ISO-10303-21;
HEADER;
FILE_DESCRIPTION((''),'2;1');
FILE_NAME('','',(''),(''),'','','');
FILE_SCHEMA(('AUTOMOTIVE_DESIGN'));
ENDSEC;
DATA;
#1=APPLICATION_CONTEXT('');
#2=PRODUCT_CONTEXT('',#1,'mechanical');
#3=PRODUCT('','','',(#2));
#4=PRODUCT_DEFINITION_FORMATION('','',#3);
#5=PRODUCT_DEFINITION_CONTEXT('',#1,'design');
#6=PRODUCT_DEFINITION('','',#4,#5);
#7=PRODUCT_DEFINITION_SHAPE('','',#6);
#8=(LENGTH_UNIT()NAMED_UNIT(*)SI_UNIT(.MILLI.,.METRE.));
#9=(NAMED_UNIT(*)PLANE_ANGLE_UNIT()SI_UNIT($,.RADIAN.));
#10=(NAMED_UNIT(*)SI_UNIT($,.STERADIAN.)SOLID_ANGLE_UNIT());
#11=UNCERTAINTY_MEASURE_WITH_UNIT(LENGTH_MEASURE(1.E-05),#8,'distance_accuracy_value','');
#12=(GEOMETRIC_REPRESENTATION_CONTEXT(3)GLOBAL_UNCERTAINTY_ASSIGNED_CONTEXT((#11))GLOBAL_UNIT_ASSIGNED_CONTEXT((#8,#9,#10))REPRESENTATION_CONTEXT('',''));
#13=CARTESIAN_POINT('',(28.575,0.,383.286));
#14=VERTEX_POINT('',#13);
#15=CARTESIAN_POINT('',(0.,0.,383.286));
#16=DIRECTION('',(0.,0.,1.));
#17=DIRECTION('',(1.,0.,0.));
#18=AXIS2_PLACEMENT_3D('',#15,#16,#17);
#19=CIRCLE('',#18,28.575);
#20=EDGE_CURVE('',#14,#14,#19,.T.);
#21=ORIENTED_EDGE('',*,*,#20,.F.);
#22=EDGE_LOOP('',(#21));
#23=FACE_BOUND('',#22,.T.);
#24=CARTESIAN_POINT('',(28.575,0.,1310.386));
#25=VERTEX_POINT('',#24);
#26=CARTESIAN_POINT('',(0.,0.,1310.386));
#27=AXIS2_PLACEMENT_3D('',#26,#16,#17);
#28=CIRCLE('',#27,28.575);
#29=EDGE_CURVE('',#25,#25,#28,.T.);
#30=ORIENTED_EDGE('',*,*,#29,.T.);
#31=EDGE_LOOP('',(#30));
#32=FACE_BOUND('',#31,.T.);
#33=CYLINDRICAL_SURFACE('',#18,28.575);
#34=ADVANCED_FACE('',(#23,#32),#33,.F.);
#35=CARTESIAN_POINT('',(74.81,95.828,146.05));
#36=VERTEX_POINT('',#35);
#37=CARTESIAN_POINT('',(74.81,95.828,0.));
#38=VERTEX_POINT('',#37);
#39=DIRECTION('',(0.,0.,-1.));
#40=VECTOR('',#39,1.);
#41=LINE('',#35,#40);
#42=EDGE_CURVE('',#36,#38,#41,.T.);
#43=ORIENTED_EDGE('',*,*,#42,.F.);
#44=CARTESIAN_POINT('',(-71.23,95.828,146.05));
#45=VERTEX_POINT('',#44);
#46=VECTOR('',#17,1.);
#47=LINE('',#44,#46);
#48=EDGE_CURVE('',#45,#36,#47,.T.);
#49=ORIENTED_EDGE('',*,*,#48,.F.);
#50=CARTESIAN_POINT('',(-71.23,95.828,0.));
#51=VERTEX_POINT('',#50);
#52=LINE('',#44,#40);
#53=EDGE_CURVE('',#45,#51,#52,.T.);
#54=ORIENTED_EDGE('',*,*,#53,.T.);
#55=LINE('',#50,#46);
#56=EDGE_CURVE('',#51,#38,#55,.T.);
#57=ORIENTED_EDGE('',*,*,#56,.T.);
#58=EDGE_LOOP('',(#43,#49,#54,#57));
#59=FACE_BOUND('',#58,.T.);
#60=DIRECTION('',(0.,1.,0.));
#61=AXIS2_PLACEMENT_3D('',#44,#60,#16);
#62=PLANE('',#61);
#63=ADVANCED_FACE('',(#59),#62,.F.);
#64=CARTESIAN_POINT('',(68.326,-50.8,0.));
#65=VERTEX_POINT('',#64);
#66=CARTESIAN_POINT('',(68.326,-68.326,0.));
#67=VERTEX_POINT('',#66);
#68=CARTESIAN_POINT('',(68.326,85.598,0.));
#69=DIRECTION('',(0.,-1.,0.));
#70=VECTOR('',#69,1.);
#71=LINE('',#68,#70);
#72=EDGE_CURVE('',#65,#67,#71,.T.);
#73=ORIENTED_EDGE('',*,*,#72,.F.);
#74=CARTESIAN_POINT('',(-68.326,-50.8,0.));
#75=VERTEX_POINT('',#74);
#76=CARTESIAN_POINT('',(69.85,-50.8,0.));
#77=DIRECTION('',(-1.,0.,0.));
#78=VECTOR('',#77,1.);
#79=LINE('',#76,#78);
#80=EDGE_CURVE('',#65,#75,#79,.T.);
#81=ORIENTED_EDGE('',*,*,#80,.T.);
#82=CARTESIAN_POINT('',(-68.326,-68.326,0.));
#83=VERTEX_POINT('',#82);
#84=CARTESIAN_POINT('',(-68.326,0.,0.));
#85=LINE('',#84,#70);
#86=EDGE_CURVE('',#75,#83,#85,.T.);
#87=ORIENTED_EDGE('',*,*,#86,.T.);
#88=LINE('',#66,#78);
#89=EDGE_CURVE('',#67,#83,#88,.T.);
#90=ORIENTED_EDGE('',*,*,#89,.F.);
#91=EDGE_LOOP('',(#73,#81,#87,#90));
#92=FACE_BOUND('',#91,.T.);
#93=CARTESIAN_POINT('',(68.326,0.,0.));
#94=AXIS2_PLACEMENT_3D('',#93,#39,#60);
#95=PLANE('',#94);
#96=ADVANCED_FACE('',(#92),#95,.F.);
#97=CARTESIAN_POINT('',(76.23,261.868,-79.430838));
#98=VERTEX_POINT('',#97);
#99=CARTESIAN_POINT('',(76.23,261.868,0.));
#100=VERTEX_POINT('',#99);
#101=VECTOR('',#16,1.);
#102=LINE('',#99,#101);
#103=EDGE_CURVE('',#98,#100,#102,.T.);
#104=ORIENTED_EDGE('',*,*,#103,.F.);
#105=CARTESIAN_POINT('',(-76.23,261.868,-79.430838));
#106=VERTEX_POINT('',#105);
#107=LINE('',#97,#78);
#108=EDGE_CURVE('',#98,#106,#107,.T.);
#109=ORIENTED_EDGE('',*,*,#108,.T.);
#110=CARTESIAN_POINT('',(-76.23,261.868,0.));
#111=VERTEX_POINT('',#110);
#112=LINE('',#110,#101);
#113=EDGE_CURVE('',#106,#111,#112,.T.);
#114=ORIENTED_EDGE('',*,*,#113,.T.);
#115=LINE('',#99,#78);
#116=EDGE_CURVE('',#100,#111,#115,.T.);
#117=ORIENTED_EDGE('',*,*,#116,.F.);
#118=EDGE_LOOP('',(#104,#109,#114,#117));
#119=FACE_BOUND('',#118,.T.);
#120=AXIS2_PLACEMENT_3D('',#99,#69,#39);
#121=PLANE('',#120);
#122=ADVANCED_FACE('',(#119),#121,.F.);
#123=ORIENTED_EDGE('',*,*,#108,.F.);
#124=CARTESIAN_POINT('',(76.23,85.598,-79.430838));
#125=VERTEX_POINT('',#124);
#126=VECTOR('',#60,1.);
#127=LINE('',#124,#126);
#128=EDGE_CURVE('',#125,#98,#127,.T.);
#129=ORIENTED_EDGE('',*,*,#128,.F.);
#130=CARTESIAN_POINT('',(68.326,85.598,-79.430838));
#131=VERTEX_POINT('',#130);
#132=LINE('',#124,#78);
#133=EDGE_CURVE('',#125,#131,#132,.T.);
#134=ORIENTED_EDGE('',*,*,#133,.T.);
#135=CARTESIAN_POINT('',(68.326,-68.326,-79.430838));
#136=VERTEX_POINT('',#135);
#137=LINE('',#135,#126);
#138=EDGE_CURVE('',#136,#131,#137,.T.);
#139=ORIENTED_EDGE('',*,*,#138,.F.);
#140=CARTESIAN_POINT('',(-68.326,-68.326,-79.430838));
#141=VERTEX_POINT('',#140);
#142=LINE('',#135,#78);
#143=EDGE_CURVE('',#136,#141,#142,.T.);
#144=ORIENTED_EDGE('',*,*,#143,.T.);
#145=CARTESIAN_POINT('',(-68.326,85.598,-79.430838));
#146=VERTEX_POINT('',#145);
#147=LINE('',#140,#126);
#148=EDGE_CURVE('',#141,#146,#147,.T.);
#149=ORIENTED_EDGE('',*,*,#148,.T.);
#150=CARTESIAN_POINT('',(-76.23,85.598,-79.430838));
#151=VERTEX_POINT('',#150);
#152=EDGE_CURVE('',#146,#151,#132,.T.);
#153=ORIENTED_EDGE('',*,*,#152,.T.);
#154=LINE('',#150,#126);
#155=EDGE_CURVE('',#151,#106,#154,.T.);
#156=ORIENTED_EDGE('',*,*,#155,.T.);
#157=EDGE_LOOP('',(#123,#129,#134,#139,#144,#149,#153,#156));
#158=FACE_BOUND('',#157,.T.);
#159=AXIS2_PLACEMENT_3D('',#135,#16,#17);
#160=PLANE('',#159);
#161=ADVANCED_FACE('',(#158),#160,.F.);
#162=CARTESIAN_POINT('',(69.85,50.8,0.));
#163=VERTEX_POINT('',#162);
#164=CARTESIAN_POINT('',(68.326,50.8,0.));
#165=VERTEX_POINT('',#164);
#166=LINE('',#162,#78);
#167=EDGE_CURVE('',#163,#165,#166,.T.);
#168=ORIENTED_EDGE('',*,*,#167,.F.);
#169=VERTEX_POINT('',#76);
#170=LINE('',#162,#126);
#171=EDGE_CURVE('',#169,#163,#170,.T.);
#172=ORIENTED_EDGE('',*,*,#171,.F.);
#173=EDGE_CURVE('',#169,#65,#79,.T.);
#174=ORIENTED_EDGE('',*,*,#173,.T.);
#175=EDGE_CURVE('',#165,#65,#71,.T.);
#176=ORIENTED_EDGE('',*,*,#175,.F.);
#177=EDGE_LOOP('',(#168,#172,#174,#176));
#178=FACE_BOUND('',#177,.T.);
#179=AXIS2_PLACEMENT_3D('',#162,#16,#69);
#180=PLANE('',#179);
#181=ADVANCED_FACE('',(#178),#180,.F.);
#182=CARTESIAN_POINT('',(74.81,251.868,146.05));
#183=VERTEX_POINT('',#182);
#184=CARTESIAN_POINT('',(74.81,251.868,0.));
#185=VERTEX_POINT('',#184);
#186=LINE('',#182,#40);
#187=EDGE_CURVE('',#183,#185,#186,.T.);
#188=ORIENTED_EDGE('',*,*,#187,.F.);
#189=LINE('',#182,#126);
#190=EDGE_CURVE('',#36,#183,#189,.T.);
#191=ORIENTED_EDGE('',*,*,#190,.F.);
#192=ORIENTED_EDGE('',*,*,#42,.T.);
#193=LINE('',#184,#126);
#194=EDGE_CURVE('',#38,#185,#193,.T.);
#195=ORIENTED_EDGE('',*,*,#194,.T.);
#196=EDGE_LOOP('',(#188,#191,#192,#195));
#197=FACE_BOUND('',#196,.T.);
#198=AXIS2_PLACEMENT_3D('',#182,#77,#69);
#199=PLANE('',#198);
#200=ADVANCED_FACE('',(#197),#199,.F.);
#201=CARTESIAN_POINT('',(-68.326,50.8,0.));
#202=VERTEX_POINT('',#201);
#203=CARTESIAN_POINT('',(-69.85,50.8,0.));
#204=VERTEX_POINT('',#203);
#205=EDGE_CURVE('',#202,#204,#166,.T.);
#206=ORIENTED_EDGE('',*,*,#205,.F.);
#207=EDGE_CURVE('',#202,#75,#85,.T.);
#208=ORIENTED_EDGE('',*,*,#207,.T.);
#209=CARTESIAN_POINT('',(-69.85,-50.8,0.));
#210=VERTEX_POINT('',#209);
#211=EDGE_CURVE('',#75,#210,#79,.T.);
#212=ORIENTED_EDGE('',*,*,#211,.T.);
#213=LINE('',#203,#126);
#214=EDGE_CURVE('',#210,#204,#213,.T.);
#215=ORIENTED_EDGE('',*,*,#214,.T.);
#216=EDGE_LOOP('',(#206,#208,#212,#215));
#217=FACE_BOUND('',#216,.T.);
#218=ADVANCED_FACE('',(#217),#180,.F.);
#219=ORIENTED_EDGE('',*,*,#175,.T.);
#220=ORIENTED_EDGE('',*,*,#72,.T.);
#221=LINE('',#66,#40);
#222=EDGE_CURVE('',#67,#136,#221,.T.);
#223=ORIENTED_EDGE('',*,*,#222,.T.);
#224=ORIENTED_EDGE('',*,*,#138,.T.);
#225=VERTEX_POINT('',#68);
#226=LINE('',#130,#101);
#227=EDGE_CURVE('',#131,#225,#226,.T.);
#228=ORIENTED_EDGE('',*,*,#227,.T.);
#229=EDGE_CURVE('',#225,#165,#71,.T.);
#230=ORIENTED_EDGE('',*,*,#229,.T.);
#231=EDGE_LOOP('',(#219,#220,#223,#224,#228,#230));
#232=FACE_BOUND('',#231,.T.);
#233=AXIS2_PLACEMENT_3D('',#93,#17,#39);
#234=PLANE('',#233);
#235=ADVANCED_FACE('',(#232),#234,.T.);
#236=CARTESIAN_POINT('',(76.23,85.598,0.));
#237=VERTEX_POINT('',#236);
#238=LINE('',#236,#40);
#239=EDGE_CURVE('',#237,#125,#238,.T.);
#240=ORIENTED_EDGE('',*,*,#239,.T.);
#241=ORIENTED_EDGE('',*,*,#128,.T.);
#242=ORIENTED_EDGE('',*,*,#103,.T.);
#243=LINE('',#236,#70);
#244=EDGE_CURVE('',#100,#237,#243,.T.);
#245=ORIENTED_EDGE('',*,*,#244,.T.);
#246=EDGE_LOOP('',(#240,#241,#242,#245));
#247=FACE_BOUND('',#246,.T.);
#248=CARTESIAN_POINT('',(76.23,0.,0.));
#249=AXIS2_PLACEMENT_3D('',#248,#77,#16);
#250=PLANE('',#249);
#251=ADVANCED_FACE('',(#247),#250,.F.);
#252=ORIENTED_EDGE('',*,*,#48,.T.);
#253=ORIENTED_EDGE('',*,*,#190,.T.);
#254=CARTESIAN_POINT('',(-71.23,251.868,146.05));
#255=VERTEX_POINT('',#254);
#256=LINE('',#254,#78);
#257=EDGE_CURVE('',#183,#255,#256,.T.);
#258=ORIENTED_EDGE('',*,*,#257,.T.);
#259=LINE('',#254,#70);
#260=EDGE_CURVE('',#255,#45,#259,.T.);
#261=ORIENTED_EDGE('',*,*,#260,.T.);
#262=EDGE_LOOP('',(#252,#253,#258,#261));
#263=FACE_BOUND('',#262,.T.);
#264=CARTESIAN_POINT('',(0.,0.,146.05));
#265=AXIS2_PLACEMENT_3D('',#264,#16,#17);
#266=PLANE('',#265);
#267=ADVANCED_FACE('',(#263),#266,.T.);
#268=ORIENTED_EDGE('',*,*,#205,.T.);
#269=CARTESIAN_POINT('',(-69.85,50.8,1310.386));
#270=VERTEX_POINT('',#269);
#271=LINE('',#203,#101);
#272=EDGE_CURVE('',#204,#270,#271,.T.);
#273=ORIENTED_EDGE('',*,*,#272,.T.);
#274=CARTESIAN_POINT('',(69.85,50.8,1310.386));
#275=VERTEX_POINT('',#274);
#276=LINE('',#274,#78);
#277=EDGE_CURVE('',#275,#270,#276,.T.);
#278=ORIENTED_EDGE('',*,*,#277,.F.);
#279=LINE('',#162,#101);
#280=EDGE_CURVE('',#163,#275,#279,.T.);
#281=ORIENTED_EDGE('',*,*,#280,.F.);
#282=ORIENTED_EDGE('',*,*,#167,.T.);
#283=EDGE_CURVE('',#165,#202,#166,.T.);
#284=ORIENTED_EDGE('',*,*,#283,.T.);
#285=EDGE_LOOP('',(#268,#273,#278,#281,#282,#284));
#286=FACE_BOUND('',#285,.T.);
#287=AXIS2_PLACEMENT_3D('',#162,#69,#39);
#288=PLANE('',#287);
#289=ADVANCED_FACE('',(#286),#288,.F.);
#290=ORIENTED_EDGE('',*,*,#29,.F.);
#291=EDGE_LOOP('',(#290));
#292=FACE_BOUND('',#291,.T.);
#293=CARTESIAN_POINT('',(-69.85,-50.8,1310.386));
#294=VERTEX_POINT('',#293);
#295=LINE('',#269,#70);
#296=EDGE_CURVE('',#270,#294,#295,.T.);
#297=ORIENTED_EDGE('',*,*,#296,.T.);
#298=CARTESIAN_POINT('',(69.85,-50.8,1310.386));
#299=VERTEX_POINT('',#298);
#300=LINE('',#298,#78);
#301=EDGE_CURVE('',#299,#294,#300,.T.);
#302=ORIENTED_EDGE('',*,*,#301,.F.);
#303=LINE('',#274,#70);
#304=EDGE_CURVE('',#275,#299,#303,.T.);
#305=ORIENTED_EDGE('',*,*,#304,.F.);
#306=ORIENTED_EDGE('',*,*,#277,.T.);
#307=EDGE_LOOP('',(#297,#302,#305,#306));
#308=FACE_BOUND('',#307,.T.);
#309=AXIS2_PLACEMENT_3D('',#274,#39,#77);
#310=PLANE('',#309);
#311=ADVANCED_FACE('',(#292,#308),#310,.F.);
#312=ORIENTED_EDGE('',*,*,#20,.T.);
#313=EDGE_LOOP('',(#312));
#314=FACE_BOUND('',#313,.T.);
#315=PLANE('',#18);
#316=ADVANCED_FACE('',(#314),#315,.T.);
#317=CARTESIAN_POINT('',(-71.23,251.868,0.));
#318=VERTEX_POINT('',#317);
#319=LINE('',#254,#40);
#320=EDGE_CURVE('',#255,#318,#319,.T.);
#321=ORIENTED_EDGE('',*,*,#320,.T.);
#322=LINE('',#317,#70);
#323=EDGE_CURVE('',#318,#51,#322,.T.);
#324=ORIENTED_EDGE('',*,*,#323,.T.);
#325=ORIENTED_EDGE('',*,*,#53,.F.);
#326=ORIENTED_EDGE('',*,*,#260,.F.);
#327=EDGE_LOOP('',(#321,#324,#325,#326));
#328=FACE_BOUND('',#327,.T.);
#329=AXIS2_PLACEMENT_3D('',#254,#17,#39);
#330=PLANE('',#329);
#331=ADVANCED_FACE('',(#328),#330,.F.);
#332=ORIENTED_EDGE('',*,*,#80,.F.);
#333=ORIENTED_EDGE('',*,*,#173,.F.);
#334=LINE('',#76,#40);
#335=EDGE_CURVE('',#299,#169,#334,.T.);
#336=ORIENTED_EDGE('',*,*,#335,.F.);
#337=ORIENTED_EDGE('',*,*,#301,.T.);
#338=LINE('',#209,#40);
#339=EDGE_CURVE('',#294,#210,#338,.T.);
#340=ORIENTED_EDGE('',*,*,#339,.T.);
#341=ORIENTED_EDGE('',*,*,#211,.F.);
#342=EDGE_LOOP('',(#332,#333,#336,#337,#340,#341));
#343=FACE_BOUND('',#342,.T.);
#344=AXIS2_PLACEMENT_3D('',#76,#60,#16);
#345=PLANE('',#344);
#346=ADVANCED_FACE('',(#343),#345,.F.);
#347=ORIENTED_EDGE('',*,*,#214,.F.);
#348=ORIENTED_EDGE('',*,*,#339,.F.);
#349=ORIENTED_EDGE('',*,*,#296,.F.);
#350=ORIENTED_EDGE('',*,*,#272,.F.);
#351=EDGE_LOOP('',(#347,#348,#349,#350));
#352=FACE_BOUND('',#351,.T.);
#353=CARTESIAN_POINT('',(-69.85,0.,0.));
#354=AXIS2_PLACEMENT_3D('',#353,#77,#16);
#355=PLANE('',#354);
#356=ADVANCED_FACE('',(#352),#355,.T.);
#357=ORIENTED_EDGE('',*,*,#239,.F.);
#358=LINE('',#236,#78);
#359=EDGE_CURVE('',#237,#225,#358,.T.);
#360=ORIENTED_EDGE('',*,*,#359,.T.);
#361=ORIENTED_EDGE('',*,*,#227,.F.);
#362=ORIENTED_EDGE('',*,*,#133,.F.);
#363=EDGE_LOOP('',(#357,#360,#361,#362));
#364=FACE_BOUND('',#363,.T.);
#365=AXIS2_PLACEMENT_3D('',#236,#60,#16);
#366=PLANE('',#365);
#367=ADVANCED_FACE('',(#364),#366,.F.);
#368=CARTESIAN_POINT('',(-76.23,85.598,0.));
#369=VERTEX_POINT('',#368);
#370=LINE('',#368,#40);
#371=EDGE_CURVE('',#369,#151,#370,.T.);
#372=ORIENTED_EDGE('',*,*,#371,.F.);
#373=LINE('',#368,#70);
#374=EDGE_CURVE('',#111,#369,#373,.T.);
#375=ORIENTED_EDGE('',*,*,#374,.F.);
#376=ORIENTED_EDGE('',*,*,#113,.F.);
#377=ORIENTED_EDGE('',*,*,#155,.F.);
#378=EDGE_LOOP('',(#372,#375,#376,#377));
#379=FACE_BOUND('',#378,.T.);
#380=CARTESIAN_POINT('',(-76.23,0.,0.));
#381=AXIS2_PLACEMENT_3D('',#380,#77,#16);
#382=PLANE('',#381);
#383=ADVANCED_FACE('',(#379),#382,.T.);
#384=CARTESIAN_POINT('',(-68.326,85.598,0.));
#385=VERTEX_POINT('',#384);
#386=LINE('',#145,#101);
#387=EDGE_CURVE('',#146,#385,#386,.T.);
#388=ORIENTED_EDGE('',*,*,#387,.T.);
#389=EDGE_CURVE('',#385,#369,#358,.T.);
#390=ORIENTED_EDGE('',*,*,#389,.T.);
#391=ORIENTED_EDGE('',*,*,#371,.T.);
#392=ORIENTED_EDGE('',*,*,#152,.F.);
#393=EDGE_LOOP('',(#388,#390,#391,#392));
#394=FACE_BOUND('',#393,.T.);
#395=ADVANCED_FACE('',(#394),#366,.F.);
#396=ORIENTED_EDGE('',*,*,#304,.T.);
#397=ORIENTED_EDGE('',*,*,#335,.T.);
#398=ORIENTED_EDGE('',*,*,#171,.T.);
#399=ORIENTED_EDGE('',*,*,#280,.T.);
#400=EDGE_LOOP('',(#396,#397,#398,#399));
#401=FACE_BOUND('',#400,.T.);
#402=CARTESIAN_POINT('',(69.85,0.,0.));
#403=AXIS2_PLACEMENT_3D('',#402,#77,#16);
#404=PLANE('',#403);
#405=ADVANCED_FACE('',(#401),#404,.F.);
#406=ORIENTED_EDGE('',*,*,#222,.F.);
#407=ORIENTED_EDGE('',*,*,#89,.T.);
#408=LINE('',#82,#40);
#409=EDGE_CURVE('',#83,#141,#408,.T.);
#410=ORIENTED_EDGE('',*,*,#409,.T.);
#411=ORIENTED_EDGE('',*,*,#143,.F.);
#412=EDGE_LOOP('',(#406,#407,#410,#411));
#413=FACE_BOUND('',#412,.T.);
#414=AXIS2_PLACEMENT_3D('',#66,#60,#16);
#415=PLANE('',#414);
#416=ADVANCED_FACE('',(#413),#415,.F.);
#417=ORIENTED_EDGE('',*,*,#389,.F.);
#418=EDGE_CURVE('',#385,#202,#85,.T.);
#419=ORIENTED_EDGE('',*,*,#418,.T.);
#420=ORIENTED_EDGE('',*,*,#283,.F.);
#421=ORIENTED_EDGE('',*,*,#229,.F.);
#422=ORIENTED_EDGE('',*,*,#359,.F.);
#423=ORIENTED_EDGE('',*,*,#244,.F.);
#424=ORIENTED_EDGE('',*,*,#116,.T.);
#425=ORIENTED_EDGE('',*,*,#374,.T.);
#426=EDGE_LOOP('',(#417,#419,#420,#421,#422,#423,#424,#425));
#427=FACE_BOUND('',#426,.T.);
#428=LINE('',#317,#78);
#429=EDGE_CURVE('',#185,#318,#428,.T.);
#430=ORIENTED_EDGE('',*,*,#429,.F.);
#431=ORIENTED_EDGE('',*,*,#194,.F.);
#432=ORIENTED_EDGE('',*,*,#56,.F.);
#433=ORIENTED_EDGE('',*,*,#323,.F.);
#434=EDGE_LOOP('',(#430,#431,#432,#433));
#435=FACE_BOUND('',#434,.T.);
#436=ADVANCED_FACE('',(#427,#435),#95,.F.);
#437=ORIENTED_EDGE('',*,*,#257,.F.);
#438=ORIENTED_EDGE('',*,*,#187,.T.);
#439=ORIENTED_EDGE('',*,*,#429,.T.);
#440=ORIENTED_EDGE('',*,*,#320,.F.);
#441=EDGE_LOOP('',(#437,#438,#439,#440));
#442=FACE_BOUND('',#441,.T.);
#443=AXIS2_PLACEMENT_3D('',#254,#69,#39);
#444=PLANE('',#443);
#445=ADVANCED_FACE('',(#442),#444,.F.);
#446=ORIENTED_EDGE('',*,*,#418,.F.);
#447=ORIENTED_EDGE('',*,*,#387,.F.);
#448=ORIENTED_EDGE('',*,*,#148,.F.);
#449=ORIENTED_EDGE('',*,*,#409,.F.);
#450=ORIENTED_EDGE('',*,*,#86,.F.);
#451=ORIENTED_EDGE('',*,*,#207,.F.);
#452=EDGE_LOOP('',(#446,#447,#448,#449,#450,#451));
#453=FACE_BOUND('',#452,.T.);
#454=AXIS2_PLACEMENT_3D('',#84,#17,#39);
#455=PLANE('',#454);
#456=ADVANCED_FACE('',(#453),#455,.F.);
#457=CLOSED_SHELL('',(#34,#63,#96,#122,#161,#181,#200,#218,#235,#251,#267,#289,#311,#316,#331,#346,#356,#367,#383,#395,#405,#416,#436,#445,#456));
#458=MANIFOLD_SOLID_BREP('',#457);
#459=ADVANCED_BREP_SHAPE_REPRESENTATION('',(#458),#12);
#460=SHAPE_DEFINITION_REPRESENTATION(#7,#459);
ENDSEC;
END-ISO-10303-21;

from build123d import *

# Parameters (mm, degrees)
SKETCH1_W           = 1310.386
SKETCH1_H           = 101.6
BOSS_EXTRUDE1_DEPTH = 69.85
BOSS_EXTRUDE2_DEPTH = 68.326
SKETCH3_W           = 79.430838384
SKETCH3_H           = 176.27
BOSS_EXTRUDE3_DEPTH = 76.23
SKETCH4_W           = 146.04
SKETCH4_H           = 156.04
BOSS_EXTRUDE4_DEPTH = 146.05
SKETCH5_R           = 28.575
CUT_EXTRUDE1_DEPTH  = 927.1


with BuildPart() as part:
    # Sketch1 → Boss-Extrude1 (new, symmetric)
    with BuildSketch(Plane(origin=(0, 0, 0), x_dir=(0, 0, -1), z_dir=(1, 0, 0))):
        with Locations((-655.193, 0)):
            Rectangle(SKETCH1_W, SKETCH1_H)
    extrude(amount=BOSS_EXTRUDE1_DEPTH, both=True)

    # Sketch2 → Boss-Extrude2 (add, symmetric)
    with BuildSketch(Plane(origin=(0, 0, 0), x_dir=(0, 0, -1), z_dir=(1, 0, 0))):
        Polygon((0, 0), (0, -68.326), (79.430838384, -68.326), (79.430838384, 85.598), (0, 85.598), align=None)
    extrude(amount=BOSS_EXTRUDE2_DEPTH, both=True)

    # Sketch3 → Boss-Extrude3 (add, symmetric)
    with BuildSketch(Plane(origin=(0, 0, 0), x_dir=(0, 0, -1), z_dir=(1, 0, 0))):
        with Locations((39.715419192, 173.733)):
            Rectangle(SKETCH3_W, SKETCH3_H)
    extrude(amount=BOSS_EXTRUDE3_DEPTH, both=True)

    # Sketch4 → Boss-Extrude4 (add)
    with BuildSketch(Plane.XY):
        with Locations((1.79, 173.848)):
            Rectangle(SKETCH4_W, SKETCH4_H)
    extrude(amount=BOSS_EXTRUDE4_DEPTH)

    # Sketch5 → Cut-Extrude1 (cut)
    with BuildSketch(Plane.XY.offset(1310.386)):
        Circle(SKETCH5_R)
    extrude(amount=-CUT_EXTRUDE1_DEPTH, mode=Mode.SUBTRACT)


solid = part.part
